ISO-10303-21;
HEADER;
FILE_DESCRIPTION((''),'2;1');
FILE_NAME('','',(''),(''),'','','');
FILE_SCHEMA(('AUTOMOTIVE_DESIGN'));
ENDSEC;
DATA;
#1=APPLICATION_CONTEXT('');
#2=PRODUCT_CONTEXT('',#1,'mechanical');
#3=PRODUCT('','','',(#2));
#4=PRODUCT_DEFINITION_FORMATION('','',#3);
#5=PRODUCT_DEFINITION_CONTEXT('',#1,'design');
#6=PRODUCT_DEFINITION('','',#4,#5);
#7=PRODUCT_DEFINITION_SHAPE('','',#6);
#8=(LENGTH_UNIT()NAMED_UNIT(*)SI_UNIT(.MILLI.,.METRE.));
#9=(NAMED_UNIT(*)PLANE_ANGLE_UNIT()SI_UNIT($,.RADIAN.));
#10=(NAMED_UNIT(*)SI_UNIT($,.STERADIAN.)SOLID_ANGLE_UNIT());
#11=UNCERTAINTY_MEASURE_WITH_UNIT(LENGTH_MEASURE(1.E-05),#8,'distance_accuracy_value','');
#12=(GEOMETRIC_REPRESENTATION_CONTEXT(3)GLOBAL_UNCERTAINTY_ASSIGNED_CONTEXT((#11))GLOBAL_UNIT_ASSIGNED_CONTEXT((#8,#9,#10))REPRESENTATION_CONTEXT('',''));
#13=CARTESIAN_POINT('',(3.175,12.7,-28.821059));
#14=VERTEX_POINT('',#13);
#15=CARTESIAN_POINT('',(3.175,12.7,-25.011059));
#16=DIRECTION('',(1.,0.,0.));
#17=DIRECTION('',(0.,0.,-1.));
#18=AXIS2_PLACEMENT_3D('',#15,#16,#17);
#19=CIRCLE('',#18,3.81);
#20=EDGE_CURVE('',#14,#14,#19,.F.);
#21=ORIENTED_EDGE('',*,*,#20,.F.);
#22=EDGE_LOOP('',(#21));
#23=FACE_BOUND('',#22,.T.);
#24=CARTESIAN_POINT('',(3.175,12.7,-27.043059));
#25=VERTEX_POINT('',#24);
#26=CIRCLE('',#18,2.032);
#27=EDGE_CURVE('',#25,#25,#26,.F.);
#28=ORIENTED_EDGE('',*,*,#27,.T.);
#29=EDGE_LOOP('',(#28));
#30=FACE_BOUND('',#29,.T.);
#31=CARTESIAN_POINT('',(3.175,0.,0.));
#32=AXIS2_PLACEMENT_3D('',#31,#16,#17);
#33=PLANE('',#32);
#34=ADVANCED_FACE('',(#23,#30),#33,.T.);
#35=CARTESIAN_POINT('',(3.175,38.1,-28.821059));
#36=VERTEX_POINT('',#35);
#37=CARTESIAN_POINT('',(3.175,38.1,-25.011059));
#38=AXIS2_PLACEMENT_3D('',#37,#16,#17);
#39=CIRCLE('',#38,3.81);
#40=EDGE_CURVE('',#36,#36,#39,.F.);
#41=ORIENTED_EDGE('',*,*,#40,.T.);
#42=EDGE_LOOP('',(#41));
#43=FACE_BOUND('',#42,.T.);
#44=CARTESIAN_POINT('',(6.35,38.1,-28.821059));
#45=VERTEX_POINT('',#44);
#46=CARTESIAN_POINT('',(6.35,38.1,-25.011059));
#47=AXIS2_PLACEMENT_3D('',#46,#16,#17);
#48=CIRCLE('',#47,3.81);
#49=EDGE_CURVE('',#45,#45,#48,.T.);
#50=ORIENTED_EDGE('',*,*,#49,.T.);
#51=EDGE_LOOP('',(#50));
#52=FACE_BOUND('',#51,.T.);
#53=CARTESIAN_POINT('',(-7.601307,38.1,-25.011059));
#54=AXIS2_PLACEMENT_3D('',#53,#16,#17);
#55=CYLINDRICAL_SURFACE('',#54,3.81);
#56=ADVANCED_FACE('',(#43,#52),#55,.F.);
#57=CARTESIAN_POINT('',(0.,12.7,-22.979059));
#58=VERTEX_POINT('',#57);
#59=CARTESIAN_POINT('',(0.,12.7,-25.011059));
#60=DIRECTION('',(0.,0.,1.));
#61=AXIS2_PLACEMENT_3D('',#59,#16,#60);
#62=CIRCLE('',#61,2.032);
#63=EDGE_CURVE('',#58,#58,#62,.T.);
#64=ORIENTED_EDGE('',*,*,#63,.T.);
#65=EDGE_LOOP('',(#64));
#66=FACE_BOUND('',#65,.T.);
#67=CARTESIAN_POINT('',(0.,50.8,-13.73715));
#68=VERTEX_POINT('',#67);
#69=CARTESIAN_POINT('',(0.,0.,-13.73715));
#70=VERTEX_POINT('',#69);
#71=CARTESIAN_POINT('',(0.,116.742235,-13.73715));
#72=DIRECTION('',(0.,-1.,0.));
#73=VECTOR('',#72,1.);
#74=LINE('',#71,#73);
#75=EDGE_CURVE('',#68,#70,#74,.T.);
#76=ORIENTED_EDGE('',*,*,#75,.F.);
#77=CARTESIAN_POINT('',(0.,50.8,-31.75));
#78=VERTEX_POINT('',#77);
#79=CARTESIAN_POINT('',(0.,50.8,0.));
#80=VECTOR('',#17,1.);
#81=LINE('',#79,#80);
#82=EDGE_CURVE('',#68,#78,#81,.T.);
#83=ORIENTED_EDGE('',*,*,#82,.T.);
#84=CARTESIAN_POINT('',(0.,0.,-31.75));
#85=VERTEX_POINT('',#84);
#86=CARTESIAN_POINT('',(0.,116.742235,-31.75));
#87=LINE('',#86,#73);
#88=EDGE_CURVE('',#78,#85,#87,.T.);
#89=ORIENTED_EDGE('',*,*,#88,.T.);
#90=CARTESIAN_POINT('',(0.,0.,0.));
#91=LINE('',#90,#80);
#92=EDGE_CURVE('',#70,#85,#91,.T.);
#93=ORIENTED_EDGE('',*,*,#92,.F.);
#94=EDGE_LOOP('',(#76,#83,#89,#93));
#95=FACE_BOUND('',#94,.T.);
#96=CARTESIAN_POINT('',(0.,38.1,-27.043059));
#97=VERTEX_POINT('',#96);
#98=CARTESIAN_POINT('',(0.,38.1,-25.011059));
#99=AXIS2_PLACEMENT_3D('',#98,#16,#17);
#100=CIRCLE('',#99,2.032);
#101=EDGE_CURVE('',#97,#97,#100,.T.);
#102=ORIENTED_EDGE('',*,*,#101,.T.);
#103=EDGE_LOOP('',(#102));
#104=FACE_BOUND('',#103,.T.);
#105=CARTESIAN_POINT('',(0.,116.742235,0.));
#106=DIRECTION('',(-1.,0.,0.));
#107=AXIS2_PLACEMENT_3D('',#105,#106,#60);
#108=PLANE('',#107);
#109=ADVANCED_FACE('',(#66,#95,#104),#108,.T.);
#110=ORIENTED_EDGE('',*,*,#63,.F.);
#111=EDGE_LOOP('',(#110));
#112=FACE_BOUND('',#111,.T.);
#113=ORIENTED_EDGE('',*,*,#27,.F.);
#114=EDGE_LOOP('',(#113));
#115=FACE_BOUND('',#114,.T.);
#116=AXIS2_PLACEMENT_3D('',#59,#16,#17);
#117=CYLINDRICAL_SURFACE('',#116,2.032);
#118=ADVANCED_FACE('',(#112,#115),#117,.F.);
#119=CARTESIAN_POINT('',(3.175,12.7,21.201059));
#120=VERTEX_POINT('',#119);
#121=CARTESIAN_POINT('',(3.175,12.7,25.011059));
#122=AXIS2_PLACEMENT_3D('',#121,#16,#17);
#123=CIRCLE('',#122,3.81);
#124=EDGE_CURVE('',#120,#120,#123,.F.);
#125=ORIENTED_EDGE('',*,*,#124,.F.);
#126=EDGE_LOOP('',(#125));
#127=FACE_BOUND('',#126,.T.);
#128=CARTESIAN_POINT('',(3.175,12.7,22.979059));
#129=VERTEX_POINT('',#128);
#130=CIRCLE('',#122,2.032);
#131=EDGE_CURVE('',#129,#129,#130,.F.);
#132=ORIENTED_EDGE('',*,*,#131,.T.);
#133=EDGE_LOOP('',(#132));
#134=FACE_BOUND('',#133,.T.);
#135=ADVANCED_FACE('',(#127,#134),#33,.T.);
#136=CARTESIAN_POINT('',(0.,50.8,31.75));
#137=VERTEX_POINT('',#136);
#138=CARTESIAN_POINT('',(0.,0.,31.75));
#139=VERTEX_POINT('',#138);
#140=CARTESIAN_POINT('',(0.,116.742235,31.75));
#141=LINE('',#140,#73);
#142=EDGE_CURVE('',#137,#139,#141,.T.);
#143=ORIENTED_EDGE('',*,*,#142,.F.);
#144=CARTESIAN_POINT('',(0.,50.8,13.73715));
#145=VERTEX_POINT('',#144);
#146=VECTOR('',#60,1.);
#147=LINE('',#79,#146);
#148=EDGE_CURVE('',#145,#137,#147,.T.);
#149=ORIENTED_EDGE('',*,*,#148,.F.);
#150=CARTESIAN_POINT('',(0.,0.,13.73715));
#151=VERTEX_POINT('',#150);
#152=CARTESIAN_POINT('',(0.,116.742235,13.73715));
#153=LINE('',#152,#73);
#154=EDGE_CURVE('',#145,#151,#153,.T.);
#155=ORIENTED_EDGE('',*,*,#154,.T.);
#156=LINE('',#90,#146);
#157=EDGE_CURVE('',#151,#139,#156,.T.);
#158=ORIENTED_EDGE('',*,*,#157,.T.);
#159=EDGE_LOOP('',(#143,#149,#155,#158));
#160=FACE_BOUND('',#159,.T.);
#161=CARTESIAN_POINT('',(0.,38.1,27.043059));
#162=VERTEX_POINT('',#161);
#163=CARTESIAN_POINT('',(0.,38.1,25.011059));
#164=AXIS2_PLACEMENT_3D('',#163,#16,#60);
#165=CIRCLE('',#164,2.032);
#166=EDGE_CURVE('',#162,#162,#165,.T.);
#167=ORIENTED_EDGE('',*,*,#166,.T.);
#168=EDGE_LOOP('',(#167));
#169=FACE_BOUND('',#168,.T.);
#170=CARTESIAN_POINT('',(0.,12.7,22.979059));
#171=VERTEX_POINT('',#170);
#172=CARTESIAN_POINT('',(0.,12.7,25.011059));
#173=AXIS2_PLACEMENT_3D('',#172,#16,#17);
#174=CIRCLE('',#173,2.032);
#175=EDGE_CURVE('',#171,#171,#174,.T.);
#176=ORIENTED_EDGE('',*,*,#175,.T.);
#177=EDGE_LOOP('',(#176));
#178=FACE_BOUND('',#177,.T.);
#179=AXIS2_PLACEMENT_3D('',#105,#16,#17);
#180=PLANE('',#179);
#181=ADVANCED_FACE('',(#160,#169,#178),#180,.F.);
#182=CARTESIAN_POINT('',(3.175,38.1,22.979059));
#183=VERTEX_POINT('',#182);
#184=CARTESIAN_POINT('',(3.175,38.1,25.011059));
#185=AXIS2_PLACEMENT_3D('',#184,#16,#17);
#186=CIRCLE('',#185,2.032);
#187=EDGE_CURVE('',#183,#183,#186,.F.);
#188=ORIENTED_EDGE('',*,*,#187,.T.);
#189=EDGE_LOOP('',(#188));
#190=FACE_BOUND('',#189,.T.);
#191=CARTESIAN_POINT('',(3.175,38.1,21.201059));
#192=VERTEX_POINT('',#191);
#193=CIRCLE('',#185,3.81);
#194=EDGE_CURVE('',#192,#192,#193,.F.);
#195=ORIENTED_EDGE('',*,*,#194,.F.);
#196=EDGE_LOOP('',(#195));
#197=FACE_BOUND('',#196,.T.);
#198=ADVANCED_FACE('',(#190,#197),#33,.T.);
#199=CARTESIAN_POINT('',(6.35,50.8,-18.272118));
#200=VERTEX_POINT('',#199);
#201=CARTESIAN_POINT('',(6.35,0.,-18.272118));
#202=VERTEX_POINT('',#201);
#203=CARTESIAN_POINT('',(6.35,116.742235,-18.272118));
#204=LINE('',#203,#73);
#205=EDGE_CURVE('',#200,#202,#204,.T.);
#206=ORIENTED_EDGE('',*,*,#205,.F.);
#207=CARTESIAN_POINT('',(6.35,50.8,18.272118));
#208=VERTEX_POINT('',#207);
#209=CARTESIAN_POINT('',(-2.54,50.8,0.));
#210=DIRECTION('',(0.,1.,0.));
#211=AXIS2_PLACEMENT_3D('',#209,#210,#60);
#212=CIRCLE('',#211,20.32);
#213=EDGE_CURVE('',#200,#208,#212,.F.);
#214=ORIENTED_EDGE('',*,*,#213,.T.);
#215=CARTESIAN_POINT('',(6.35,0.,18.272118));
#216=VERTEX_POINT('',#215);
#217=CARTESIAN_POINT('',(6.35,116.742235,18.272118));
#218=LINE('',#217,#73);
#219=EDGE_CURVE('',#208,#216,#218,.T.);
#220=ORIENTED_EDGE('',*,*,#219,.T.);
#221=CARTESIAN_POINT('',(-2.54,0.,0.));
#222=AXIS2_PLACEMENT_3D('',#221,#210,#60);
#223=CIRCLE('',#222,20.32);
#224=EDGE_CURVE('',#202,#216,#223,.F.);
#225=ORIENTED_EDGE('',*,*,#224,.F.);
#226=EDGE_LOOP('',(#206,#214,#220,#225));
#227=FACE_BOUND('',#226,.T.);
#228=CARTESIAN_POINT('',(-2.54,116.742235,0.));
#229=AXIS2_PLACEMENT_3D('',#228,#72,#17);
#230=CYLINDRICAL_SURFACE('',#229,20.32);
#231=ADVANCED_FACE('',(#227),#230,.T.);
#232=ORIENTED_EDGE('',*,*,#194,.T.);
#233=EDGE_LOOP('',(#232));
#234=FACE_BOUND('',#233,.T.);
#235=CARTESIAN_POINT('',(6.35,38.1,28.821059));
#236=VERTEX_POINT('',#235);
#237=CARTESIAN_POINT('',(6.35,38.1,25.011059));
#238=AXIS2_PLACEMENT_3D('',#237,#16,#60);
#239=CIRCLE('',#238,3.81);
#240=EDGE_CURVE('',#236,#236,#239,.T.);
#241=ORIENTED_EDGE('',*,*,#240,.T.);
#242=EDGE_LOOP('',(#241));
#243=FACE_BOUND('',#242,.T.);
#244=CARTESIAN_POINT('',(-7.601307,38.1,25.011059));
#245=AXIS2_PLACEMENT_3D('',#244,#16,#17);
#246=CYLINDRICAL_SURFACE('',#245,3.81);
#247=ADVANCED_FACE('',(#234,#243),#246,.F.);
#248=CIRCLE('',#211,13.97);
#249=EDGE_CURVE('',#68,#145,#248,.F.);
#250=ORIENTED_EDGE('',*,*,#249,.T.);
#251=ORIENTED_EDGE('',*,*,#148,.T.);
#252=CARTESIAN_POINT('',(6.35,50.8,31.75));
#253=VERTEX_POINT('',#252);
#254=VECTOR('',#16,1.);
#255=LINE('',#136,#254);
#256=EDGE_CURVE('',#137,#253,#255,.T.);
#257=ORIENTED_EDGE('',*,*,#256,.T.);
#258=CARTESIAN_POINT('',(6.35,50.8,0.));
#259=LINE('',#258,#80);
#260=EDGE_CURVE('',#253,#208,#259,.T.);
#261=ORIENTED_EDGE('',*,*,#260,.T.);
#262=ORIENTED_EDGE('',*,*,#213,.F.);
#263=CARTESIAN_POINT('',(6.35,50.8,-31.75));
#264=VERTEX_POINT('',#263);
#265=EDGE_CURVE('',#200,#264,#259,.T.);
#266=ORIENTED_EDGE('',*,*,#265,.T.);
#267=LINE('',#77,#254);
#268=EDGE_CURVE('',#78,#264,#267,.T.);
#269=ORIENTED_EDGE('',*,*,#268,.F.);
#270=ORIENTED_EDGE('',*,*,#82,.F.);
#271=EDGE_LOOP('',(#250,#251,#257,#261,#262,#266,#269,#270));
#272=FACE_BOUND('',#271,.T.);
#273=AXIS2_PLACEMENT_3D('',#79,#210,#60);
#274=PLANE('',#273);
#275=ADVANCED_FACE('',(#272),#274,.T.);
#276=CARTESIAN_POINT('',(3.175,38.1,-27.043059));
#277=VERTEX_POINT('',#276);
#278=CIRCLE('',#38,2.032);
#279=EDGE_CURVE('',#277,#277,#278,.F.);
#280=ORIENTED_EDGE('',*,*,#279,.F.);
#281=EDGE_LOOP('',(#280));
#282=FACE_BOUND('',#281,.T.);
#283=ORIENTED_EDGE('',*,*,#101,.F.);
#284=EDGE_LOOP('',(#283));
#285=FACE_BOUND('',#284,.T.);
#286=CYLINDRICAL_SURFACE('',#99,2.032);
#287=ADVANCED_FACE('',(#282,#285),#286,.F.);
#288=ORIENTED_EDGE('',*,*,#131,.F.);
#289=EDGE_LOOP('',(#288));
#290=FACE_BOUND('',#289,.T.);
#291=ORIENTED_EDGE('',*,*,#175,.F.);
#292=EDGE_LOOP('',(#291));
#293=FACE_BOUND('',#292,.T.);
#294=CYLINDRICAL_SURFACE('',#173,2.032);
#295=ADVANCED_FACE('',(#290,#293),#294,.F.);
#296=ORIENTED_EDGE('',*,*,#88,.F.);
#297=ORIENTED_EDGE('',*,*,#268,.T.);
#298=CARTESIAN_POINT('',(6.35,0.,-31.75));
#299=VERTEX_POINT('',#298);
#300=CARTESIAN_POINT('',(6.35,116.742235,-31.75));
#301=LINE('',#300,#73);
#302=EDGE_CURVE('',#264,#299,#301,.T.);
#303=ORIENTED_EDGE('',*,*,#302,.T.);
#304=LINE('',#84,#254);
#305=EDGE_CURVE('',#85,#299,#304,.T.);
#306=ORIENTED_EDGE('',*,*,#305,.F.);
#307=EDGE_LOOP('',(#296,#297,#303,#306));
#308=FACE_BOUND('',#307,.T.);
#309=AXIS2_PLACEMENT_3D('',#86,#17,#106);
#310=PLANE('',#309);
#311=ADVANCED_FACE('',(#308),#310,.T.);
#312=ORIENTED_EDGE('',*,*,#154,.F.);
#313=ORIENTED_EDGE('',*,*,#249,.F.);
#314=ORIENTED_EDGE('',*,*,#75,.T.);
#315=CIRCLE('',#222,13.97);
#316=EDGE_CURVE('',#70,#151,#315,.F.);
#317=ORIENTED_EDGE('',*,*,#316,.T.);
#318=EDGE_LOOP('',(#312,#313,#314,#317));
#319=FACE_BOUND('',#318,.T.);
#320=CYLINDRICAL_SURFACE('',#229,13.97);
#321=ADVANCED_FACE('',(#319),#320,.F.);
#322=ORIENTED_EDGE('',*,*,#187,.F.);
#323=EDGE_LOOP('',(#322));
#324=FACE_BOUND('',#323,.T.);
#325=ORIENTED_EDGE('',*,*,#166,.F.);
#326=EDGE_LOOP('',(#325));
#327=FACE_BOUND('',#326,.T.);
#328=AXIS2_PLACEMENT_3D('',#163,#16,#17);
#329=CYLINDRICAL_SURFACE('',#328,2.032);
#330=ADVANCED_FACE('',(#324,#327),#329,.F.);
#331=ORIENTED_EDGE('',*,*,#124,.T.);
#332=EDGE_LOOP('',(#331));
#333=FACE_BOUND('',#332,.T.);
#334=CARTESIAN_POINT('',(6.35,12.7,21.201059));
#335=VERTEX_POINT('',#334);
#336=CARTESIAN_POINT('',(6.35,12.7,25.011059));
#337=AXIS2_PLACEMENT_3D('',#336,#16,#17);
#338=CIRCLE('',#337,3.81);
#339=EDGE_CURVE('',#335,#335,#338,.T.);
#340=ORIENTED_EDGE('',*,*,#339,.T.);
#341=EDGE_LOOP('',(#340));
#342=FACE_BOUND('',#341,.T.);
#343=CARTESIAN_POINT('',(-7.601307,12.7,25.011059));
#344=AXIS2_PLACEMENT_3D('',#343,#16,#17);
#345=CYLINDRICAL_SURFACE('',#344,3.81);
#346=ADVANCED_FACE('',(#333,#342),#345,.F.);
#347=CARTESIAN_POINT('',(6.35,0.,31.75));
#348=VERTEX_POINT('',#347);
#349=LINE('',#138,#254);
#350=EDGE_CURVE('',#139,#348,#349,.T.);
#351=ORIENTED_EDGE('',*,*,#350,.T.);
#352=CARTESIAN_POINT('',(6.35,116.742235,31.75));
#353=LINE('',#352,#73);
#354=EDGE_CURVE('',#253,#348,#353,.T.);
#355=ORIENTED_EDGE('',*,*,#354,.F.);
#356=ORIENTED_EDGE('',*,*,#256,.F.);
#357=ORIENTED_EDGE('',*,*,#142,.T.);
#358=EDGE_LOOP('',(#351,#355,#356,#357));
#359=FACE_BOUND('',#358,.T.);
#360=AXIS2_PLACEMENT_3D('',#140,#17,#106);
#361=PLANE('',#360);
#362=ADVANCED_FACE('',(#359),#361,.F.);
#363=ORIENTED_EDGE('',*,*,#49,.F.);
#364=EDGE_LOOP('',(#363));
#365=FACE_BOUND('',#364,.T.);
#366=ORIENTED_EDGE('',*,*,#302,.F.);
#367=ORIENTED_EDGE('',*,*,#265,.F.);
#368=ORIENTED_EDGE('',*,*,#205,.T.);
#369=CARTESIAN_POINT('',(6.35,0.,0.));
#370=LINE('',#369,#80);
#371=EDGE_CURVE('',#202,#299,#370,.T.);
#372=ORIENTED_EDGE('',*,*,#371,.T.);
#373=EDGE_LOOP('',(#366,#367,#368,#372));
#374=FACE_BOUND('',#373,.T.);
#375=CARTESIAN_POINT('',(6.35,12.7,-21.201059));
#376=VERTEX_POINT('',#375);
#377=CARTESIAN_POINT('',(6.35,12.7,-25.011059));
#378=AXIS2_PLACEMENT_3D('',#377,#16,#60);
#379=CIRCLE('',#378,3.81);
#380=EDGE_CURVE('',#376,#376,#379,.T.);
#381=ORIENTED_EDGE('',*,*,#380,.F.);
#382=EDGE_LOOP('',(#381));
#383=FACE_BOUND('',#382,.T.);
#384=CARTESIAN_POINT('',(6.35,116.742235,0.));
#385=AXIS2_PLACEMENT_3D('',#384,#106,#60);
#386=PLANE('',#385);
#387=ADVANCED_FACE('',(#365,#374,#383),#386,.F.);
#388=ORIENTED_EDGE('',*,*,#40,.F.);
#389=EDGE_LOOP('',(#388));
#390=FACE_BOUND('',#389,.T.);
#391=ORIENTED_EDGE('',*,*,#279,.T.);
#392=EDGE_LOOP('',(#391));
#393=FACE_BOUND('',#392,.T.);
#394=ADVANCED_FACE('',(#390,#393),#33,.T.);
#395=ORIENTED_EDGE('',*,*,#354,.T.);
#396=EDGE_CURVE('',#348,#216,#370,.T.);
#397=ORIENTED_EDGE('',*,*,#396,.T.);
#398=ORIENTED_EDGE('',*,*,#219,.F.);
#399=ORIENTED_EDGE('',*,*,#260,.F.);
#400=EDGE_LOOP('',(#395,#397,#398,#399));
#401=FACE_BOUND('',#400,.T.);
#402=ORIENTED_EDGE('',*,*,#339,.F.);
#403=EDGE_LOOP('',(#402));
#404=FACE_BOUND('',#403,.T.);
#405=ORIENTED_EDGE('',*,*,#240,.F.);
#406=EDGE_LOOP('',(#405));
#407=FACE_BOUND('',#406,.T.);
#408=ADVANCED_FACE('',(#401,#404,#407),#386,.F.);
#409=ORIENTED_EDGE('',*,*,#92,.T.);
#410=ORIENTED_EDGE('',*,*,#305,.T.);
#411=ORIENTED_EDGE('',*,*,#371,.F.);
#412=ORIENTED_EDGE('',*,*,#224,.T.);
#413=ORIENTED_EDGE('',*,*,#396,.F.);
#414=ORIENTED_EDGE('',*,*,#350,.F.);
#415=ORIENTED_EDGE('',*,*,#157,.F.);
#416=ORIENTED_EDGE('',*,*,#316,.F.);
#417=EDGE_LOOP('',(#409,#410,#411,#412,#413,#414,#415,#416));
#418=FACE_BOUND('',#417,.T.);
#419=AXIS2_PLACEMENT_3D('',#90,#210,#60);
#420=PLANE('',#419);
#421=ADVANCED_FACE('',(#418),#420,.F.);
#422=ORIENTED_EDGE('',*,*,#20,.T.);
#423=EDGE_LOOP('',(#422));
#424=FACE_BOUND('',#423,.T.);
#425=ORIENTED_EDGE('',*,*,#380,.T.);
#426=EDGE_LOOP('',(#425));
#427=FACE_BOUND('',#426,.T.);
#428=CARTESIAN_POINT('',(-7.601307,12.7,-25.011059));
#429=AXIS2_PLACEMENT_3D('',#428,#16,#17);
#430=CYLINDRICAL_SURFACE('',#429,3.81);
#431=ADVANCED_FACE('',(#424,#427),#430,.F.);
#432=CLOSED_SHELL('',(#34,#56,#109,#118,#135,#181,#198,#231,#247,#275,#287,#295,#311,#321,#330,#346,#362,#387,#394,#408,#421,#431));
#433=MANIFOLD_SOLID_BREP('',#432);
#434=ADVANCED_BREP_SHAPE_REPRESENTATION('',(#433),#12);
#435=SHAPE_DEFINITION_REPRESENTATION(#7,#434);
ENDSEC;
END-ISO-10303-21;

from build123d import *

# Parameters (mm, degrees)
BOSS_EXTRUDE1_DEPTH     = 50.8
SKETCH2_R               = 2.032
CUT_EXTRUDE1_DEPTH      = 12.43
CUT_EXTRUDE1_DEPTH_BACK = 7.35
CUT_EXTRUDE2_START      = -3.175
SKETCH3_R               = 3.81
CUT_EXTRUDE2_DEPTH      = 3.175


with BuildPart() as part:
    # Sketch1 → Boss-Extrude1 (new body)
    with BuildSketch(Plane(origin=(0, 0, 0), x_dir=(1, 0, 0), z_dir=(0, 1, 0))):
        with BuildLine():
            ThreePointArc((6.35, -18.272118104), (17.78, 0), (6.35, 18.272118104))
            Line((6.35, 18.272118104), (6.35, 25.4))
            Line((6.35, 25.4), (6.35, 31.75))
            Line((6.35, 31.75), (0, 31.75))
            Line((0, 31.75), (0, 13.73715036))
            ThreePointArc((0, 13.73715036), (11.43, 0), (0, -13.73715036))
            Line((0, -13.73715036), (0, -31.75))
            Line((0, -31.75), (6.35, -31.75))
            Line((6.35, -31.75), (6.35, -25.4))
            Line((6.35, -25.4), (6.35, -18.272118104))
        make_face()
    extrude(amount=BOSS_EXTRUDE1_DEPTH)

    # Sketch2 → Cut-Extrude1 (cut, two sides)
    with BuildSketch(Plane(origin=(6.35, 0, 0), x_dir=(0, 0, -1), z_dir=(1, 0, 0))) as cut_extrude1_sk:
        with Locations((25.011059052, 38.1)):
            Circle(SKETCH2_R)
        with Locations((25.011059052, 12.7)):
            Circle(SKETCH2_R)
        with Locations((-25.011059052, 12.7)):
            Circle(SKETCH2_R)
        with Locations((-25.011059052, 38.1)):
            Circle(SKETCH2_R)
    extrude(amount=CUT_EXTRUDE1_DEPTH, mode=Mode.SUBTRACT)
    extrude(cut_extrude1_sk.sketch, amount=-CUT_EXTRUDE1_DEPTH_BACK, mode=Mode.SUBTRACT)

    # Sketch3 → Cut-Extrude2 (cut)
    with BuildSketch(Plane(origin=(6.35, 0, 0), x_dir=(0, 0, -1), z_dir=(1, 0, 0)).offset(CUT_EXTRUDE2_START)):
        with Locations((25.011059052, 38.1)):
            Circle(SKETCH3_R)
        with Locations((25.011059052, 12.7)):
            Circle(SKETCH3_R)
        with Locations((-25.011059052, 38.1)):
            Circle(SKETCH3_R)
        with Locations((-25.011059052, 12.7)):
            Circle(SKETCH3_R)
    extrude(amount=CUT_EXTRUDE2_DEPTH, mode=Mode.SUBTRACT)


solid = part.part
